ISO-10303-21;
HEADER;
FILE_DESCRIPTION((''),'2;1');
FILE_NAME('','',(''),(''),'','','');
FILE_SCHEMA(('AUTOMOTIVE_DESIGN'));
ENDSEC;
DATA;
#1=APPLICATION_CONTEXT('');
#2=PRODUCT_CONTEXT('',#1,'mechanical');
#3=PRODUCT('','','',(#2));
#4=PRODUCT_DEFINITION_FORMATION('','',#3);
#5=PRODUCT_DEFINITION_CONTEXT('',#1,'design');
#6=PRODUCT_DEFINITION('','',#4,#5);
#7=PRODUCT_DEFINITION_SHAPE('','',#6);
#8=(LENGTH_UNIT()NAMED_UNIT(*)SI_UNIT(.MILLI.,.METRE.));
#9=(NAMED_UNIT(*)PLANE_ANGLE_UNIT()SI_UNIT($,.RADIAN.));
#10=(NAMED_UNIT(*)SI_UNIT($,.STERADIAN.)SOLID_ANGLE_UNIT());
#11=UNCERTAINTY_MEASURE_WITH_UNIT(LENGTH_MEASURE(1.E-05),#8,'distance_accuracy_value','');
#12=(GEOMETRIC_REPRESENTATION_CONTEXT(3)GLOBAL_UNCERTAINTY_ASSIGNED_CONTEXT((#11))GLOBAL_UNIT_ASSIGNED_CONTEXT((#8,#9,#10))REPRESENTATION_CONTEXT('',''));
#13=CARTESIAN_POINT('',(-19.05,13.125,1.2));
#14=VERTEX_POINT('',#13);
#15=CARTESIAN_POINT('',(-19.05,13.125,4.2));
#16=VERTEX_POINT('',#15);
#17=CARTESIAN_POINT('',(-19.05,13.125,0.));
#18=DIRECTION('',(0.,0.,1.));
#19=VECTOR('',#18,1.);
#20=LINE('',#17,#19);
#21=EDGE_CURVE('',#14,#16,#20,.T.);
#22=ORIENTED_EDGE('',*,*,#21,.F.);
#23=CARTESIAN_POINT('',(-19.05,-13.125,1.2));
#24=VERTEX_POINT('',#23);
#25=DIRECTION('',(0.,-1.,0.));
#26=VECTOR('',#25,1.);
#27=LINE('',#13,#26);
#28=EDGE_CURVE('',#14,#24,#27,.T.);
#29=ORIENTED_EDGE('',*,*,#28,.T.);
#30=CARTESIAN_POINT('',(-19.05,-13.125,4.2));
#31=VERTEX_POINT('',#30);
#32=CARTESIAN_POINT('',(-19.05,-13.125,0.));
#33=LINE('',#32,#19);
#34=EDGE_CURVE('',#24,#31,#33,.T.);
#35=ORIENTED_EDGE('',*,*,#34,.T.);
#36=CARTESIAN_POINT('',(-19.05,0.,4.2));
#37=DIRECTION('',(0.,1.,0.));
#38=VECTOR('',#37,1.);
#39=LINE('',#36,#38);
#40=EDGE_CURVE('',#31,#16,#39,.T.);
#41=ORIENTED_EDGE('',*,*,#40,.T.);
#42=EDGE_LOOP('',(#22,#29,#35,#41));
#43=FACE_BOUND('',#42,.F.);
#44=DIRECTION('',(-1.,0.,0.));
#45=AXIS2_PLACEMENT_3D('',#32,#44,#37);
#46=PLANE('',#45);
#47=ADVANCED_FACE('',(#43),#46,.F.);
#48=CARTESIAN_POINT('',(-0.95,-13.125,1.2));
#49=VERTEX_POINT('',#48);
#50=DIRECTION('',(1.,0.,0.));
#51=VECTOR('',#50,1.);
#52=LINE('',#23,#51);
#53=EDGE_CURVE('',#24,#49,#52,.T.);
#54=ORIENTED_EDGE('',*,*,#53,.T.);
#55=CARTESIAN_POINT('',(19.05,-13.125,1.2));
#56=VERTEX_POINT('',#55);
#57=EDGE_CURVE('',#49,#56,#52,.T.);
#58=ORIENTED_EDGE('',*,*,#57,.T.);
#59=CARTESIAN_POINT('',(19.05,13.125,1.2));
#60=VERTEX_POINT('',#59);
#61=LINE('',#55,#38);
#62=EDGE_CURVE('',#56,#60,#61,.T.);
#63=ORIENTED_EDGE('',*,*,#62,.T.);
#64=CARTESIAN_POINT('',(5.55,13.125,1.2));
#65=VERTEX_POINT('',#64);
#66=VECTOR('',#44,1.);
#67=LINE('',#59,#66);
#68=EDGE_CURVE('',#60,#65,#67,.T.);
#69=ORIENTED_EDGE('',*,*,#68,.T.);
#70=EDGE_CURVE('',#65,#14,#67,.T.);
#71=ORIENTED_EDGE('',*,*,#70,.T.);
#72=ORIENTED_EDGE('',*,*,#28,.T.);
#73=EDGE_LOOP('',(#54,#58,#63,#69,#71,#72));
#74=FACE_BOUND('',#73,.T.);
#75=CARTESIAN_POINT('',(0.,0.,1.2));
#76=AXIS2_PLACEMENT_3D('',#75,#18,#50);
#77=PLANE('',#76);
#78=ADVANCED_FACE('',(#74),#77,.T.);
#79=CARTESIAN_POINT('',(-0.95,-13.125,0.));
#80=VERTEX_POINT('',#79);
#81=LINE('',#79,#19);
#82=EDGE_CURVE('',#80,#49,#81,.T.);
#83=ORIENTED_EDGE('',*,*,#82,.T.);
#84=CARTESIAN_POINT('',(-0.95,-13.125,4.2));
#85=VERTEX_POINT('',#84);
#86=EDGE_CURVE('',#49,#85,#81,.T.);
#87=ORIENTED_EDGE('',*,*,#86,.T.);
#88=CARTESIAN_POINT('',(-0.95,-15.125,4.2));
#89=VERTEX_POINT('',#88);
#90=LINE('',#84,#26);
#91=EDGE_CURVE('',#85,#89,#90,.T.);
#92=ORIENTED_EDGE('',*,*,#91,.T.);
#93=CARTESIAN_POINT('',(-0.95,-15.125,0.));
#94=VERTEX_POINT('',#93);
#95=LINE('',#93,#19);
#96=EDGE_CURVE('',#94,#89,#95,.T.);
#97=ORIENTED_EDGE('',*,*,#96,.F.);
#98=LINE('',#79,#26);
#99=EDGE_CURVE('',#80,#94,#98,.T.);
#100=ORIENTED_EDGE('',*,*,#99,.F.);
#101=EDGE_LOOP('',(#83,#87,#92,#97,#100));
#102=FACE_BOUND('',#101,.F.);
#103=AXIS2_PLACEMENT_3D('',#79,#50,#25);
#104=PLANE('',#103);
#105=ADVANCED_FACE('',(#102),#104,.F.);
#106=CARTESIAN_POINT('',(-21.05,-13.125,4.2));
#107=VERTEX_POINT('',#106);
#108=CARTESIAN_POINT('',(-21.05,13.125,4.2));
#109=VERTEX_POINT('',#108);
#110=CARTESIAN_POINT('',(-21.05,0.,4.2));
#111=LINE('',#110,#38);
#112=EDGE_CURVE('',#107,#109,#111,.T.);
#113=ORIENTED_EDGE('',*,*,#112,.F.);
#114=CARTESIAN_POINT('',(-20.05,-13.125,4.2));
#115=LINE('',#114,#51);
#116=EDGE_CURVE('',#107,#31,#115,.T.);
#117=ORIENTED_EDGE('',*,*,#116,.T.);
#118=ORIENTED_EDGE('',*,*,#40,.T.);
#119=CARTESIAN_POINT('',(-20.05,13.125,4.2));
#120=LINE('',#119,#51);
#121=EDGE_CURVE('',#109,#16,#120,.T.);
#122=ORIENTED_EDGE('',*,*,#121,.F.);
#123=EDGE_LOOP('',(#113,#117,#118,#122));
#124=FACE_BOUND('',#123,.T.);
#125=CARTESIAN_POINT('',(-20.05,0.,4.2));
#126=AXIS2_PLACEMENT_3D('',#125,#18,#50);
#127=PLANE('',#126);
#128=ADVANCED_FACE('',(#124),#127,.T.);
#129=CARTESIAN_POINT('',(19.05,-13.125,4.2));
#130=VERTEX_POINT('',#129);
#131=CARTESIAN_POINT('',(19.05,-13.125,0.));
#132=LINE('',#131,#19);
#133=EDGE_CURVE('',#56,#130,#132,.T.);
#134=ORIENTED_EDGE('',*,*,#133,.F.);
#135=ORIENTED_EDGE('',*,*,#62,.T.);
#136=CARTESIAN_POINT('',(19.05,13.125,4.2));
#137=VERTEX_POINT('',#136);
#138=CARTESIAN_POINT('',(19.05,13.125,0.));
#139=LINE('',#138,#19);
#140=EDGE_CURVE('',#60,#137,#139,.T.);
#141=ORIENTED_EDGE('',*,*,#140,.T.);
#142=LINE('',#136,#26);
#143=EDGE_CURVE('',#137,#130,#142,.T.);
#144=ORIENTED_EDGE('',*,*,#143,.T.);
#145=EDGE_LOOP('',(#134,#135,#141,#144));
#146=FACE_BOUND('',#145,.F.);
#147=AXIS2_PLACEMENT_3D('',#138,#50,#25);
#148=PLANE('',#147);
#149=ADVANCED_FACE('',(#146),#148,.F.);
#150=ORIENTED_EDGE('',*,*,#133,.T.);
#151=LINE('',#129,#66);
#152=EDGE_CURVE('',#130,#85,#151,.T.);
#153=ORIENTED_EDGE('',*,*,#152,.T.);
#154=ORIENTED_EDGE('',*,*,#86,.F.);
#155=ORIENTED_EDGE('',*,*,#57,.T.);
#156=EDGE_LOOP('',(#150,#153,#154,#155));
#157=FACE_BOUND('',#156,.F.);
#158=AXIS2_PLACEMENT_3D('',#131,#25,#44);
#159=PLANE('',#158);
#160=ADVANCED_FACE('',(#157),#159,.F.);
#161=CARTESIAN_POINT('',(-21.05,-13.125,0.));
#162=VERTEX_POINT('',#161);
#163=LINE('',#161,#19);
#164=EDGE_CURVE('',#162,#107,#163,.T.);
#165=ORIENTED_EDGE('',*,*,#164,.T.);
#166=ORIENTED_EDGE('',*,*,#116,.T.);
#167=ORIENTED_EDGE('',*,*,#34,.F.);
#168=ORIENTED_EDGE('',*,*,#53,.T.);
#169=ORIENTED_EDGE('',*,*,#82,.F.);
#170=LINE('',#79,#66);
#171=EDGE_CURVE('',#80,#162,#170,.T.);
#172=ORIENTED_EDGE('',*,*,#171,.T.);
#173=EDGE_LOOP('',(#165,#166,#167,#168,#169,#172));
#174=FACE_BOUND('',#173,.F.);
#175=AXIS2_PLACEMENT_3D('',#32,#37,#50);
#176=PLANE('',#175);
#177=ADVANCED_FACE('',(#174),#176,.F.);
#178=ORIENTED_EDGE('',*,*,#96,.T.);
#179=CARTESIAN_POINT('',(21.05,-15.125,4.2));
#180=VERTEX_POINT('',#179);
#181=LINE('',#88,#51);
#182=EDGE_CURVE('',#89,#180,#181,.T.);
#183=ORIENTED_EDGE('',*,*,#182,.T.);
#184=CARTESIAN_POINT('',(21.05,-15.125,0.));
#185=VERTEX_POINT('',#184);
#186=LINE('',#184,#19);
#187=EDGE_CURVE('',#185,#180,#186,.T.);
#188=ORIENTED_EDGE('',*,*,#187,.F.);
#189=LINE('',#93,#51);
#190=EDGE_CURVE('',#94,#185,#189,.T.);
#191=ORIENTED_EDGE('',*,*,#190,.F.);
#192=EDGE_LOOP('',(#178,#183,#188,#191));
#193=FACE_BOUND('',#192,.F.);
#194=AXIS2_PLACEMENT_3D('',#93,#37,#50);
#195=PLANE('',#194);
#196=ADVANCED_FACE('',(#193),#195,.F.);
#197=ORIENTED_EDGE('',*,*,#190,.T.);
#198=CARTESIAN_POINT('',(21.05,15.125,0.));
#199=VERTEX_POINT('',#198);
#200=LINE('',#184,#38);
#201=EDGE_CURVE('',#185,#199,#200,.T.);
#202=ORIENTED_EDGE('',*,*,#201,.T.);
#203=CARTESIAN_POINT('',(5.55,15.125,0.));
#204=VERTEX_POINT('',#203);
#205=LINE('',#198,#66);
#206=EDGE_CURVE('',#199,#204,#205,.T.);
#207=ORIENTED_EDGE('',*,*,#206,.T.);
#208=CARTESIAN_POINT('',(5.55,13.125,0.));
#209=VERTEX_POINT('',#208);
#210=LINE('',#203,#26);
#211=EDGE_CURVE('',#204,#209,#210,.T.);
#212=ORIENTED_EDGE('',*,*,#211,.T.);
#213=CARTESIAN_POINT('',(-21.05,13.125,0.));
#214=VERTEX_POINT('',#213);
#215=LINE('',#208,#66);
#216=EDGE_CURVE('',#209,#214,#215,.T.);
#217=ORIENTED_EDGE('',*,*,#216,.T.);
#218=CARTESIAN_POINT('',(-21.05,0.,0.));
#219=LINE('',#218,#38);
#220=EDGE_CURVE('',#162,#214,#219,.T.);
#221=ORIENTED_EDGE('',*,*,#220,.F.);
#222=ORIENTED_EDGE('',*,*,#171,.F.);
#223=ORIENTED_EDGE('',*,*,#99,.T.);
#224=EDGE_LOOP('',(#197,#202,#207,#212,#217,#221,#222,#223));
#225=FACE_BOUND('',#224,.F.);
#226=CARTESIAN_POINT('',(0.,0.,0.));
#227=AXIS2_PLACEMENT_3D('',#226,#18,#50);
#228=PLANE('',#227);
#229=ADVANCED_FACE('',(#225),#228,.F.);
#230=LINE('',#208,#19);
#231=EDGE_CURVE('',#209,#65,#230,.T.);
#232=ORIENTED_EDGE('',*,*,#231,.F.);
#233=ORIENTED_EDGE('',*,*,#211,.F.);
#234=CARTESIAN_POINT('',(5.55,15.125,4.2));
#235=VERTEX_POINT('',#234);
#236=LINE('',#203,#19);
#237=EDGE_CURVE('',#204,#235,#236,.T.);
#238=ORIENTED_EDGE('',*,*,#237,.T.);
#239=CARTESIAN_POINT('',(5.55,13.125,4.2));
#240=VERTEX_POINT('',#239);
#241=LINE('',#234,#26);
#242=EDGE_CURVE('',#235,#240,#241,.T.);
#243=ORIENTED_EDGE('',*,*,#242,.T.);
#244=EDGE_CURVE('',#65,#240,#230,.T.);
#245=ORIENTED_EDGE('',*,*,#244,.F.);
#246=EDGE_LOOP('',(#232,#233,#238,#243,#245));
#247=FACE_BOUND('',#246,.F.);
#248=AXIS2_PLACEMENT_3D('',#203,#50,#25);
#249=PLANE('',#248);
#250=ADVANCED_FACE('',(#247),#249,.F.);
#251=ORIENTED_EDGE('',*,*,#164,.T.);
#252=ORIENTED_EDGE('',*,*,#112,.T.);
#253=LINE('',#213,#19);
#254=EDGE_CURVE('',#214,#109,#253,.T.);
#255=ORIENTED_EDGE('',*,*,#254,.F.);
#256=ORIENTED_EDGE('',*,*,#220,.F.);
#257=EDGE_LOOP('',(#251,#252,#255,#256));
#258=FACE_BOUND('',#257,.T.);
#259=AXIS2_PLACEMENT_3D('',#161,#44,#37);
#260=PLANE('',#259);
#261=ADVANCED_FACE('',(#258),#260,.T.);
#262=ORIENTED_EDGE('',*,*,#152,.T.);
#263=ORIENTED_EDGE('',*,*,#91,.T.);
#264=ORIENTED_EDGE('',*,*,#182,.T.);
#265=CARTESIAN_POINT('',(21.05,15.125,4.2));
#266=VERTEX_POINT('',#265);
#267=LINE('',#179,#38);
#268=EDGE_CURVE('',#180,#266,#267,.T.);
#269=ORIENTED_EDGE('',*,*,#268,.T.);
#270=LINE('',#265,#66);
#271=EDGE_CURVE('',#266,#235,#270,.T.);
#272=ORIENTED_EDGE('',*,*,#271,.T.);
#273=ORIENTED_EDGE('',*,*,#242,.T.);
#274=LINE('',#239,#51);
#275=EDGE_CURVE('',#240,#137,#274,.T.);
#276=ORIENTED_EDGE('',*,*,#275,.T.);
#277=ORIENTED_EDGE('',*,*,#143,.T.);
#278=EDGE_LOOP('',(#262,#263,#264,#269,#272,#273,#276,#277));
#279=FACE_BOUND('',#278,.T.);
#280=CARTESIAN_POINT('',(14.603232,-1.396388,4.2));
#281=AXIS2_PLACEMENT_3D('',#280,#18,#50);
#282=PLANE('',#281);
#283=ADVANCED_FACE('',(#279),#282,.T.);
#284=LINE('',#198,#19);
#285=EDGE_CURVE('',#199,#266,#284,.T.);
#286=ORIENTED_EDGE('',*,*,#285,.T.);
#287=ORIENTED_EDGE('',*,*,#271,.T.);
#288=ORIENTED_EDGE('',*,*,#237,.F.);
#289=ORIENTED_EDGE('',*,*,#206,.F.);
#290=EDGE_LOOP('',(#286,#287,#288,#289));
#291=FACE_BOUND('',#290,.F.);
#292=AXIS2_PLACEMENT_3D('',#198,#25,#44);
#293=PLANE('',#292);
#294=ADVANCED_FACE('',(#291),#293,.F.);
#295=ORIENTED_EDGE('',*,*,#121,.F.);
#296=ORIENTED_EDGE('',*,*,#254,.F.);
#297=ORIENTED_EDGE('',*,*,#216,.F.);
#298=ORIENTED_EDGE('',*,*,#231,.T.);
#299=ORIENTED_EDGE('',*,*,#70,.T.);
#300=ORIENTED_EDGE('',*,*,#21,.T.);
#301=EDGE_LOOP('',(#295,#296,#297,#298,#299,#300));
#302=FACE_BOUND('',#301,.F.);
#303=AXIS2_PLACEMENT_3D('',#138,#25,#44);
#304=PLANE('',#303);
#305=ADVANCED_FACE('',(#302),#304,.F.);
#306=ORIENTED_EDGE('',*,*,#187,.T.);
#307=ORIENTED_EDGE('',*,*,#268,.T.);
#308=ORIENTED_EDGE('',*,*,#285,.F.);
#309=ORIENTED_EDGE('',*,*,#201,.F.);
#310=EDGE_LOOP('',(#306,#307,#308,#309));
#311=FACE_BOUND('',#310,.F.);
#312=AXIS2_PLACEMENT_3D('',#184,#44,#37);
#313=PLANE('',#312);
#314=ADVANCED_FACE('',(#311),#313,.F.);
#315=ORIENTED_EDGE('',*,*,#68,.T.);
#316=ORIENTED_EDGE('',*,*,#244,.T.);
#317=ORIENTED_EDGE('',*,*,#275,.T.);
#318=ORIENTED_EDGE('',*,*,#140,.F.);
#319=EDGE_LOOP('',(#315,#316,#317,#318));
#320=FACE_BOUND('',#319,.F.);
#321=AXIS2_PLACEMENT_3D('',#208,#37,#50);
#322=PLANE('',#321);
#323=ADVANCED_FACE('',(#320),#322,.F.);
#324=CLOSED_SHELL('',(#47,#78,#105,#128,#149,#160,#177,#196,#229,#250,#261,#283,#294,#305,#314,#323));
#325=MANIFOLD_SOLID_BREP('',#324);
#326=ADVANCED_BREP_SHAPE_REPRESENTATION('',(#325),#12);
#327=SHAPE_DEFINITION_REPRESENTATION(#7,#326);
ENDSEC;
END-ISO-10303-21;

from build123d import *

# Parameters (mm, degrees)
F0_W     = 2
F0_H     = 26.25
F1_DEPTH = 4.2
F2_DEPTH = 1.2


with BuildPart() as f1:
    # F0 (on Top) → F1 (new body)
    with BuildSketch(Plane.XY):
        Polygon((21.05, -15.125), (21.05, 15.125), (5.55, 15.125), (5.55, 13.125), (19.05, 13.125), (19.05, -13.125), (-0.95, -13.125), (-0.95, -15.125), align=None)
        with Locations((-20.05, 0)):
            Rectangle(F0_W, F0_H)
    extrude(amount=F1_DEPTH)

    # F0 (on Top) → F2 (join)
    with BuildSketch(Plane.XY):
        Polygon((19.05, 13.125), (5.55, 13.125), (0.55, 13.125), (-19.05, 13.125), (-19.05, -13.125), (-0.95, -13.125), (19.05, -13.125), align=None)
    extrude(amount=F2_DEPTH)


solid = f1.part
